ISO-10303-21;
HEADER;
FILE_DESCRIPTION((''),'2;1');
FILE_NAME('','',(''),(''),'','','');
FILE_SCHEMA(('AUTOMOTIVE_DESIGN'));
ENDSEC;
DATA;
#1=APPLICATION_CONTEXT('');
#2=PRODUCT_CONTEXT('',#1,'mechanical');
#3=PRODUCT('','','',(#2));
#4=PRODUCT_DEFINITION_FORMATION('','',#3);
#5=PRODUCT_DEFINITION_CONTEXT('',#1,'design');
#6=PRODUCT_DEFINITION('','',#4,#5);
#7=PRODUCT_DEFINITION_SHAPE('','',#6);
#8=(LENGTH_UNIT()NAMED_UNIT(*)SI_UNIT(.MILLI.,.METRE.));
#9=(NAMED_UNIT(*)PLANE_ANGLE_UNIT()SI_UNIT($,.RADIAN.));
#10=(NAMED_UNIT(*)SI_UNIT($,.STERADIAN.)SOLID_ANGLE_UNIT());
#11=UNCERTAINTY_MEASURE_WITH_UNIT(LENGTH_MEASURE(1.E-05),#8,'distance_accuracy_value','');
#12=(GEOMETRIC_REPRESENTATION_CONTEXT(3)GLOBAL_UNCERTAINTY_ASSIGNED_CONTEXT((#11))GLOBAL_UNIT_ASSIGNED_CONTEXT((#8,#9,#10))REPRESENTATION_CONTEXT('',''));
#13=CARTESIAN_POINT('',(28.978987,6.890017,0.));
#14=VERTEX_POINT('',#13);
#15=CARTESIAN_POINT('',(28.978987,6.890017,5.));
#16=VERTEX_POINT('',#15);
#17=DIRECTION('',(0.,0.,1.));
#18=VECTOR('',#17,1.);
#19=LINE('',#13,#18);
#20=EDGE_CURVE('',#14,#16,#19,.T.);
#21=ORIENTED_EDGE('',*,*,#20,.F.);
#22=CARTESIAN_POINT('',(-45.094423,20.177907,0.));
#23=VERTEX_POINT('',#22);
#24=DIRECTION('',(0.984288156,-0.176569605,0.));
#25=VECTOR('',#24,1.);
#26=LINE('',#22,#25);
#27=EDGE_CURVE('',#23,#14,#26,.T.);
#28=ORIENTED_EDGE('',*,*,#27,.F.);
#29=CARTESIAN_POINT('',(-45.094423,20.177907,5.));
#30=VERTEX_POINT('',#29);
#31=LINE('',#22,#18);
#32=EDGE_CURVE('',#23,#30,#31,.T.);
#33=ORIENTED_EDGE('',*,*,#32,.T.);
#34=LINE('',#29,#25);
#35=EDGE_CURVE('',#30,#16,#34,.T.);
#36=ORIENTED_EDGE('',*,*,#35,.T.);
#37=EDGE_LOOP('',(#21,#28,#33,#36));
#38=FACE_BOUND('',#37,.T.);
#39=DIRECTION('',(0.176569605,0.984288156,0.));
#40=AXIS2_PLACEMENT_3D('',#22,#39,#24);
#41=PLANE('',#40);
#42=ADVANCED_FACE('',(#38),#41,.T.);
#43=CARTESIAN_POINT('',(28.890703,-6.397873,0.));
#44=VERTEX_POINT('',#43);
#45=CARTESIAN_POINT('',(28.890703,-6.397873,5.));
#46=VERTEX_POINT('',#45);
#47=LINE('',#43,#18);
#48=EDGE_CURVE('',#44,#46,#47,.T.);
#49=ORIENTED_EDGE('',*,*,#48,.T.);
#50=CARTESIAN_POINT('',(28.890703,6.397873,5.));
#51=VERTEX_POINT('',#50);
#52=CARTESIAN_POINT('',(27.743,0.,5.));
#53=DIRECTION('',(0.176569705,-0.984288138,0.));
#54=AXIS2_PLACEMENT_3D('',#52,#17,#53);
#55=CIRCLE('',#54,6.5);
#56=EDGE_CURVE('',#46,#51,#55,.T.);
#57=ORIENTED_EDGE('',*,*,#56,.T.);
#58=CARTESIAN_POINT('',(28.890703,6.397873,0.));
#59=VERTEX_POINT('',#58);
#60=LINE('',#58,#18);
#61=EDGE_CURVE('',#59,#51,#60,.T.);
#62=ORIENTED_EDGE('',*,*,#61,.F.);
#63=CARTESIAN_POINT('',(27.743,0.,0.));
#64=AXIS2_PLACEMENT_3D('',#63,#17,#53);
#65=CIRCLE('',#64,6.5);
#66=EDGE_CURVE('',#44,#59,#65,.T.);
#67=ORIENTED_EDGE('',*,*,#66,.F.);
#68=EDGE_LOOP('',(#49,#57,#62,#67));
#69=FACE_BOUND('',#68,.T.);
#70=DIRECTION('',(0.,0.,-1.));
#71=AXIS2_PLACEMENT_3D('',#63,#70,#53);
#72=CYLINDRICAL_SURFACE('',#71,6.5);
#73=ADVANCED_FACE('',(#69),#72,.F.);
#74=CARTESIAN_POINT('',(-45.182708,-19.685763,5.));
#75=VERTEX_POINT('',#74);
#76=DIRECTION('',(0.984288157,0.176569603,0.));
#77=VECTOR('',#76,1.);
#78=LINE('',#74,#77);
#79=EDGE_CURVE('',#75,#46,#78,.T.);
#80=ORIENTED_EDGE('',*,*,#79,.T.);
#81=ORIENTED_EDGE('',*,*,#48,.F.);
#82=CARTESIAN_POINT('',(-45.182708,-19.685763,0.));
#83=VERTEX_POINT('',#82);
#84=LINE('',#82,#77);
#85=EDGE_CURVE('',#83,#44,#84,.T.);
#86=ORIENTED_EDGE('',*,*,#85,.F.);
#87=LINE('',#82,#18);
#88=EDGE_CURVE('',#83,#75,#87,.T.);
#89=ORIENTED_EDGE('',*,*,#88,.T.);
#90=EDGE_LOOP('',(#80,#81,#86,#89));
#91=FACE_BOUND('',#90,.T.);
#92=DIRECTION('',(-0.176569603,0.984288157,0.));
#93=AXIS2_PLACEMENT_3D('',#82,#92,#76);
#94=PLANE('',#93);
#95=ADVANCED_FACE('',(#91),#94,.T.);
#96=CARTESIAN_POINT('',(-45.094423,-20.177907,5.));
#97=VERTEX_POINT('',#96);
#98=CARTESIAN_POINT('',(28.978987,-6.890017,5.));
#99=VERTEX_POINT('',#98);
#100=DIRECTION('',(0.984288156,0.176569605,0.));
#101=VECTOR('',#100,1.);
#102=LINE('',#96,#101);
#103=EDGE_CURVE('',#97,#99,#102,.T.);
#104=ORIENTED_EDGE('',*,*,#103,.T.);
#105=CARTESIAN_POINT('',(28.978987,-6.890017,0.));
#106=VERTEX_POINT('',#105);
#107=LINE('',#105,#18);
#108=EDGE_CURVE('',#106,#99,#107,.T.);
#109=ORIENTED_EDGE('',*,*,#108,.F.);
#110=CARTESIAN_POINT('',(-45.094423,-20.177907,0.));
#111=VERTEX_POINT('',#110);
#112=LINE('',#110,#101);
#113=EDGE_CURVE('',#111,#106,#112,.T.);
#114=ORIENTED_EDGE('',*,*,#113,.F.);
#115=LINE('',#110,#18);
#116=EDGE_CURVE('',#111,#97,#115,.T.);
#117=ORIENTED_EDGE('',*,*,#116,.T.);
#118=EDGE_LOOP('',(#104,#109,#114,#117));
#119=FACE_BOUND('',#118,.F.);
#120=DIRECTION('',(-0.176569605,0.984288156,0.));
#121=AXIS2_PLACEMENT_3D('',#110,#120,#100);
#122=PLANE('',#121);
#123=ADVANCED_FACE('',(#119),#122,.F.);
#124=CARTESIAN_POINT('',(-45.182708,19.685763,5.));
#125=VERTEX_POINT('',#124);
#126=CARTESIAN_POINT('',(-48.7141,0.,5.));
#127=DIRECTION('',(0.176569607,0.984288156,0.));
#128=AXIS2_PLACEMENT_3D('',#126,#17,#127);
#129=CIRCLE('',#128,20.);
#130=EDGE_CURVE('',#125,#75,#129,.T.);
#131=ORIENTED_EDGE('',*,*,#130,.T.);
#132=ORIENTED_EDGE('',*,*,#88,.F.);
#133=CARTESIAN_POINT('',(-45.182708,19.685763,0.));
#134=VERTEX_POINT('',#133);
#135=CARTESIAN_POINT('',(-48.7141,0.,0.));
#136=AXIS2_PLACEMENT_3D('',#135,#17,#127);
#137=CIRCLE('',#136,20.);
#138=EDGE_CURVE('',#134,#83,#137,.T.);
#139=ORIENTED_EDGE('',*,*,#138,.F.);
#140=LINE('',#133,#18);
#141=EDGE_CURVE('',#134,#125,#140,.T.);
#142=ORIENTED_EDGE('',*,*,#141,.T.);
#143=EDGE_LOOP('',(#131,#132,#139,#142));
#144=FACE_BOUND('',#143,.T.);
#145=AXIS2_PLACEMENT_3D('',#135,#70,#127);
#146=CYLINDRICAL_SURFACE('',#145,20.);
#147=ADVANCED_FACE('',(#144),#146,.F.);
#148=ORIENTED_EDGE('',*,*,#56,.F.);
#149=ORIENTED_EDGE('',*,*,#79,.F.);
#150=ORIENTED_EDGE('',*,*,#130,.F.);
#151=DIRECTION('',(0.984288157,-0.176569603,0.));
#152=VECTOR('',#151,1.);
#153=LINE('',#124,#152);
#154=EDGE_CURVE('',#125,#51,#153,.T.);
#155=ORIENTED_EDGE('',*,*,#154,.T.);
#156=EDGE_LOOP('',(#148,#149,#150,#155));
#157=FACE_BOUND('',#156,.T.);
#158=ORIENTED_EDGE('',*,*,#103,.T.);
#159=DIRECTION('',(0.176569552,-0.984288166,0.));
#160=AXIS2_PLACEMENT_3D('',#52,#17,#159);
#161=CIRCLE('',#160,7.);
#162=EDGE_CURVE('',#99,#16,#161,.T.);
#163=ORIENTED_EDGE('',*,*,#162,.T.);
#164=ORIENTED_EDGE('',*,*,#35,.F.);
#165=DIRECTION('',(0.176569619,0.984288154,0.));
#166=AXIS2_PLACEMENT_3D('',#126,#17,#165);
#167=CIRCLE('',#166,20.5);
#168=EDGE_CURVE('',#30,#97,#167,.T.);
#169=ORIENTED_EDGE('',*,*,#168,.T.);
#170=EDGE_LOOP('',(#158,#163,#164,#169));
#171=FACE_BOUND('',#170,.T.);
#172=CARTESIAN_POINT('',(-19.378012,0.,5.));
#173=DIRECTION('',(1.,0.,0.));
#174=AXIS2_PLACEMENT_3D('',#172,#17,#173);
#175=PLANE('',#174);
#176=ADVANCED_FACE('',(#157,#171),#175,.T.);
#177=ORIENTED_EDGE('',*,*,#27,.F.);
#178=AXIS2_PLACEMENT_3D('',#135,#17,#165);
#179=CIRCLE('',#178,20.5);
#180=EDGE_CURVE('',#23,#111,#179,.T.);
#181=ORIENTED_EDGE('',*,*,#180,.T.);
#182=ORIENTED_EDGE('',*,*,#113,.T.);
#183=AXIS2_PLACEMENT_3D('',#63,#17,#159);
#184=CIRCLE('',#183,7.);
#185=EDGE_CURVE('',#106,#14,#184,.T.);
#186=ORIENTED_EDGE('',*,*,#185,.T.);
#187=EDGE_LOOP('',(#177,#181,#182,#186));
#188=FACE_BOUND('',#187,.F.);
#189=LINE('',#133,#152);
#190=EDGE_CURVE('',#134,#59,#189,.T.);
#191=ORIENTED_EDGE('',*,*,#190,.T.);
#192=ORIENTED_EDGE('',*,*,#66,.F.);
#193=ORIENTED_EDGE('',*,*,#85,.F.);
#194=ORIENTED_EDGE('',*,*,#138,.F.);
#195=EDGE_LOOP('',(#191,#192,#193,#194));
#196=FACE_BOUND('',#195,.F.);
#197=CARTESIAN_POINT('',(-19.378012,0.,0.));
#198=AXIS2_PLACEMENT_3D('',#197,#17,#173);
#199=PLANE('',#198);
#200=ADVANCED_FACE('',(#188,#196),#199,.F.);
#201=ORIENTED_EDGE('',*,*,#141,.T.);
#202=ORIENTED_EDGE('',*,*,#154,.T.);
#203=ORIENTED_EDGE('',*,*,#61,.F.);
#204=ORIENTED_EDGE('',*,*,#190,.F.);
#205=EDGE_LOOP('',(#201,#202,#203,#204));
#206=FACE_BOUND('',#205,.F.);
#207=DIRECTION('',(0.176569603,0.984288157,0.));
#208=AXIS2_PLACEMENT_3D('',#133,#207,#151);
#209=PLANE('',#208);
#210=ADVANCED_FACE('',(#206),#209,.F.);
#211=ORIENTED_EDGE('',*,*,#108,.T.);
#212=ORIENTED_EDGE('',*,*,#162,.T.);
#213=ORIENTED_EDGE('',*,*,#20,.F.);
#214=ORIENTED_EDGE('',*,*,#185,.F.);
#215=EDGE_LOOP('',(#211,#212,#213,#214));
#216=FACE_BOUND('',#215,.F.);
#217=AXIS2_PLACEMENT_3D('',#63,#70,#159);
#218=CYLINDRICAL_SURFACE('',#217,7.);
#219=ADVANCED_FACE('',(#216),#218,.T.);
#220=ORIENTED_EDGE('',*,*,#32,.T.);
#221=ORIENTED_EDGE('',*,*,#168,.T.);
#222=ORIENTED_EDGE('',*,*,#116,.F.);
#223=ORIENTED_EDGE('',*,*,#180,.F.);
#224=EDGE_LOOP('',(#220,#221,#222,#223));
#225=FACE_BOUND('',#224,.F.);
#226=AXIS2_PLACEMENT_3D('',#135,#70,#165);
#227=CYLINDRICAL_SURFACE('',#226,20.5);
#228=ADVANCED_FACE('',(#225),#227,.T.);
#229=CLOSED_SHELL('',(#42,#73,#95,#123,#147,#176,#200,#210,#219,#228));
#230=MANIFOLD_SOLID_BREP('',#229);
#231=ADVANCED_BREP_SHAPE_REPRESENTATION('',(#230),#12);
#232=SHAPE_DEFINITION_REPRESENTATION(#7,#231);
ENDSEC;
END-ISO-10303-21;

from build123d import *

# Parameters (mm, degrees)
PAD_DEPTH = 5


with BuildPart() as part:
    # Sketch → Pad (new body)
    with BuildSketch(Plane.XY):
        with BuildLine():
            ThreePointArc((-45.094423, 20.177907), (-69.2141, 0), (-45.094423, -20.177907))
            Line((-45.094423, -20.177907), (28.978987, -6.890017))
            ThreePointArc((28.978987, -6.890017), (34.743, 0), (28.978987, 6.890017))
            Line((-45.094423, 20.177907), (28.978987, 6.890017))
        make_face()
        with BuildLine():
            ThreePointArc((-45.182708, 19.685763), (-68.7141, 0), (-45.182708, -19.685763))
            Line((-45.182708, -19.685763), (28.890703, -6.397873))
            ThreePointArc((28.890703, -6.397873), (34.243, 0), (28.890703, 6.397873))
            Line((-45.182708, 19.685763), (28.890703, 6.397873))
        make_face(mode=Mode.SUBTRACT)
    extrude(amount=PAD_DEPTH)


solid = part.part
